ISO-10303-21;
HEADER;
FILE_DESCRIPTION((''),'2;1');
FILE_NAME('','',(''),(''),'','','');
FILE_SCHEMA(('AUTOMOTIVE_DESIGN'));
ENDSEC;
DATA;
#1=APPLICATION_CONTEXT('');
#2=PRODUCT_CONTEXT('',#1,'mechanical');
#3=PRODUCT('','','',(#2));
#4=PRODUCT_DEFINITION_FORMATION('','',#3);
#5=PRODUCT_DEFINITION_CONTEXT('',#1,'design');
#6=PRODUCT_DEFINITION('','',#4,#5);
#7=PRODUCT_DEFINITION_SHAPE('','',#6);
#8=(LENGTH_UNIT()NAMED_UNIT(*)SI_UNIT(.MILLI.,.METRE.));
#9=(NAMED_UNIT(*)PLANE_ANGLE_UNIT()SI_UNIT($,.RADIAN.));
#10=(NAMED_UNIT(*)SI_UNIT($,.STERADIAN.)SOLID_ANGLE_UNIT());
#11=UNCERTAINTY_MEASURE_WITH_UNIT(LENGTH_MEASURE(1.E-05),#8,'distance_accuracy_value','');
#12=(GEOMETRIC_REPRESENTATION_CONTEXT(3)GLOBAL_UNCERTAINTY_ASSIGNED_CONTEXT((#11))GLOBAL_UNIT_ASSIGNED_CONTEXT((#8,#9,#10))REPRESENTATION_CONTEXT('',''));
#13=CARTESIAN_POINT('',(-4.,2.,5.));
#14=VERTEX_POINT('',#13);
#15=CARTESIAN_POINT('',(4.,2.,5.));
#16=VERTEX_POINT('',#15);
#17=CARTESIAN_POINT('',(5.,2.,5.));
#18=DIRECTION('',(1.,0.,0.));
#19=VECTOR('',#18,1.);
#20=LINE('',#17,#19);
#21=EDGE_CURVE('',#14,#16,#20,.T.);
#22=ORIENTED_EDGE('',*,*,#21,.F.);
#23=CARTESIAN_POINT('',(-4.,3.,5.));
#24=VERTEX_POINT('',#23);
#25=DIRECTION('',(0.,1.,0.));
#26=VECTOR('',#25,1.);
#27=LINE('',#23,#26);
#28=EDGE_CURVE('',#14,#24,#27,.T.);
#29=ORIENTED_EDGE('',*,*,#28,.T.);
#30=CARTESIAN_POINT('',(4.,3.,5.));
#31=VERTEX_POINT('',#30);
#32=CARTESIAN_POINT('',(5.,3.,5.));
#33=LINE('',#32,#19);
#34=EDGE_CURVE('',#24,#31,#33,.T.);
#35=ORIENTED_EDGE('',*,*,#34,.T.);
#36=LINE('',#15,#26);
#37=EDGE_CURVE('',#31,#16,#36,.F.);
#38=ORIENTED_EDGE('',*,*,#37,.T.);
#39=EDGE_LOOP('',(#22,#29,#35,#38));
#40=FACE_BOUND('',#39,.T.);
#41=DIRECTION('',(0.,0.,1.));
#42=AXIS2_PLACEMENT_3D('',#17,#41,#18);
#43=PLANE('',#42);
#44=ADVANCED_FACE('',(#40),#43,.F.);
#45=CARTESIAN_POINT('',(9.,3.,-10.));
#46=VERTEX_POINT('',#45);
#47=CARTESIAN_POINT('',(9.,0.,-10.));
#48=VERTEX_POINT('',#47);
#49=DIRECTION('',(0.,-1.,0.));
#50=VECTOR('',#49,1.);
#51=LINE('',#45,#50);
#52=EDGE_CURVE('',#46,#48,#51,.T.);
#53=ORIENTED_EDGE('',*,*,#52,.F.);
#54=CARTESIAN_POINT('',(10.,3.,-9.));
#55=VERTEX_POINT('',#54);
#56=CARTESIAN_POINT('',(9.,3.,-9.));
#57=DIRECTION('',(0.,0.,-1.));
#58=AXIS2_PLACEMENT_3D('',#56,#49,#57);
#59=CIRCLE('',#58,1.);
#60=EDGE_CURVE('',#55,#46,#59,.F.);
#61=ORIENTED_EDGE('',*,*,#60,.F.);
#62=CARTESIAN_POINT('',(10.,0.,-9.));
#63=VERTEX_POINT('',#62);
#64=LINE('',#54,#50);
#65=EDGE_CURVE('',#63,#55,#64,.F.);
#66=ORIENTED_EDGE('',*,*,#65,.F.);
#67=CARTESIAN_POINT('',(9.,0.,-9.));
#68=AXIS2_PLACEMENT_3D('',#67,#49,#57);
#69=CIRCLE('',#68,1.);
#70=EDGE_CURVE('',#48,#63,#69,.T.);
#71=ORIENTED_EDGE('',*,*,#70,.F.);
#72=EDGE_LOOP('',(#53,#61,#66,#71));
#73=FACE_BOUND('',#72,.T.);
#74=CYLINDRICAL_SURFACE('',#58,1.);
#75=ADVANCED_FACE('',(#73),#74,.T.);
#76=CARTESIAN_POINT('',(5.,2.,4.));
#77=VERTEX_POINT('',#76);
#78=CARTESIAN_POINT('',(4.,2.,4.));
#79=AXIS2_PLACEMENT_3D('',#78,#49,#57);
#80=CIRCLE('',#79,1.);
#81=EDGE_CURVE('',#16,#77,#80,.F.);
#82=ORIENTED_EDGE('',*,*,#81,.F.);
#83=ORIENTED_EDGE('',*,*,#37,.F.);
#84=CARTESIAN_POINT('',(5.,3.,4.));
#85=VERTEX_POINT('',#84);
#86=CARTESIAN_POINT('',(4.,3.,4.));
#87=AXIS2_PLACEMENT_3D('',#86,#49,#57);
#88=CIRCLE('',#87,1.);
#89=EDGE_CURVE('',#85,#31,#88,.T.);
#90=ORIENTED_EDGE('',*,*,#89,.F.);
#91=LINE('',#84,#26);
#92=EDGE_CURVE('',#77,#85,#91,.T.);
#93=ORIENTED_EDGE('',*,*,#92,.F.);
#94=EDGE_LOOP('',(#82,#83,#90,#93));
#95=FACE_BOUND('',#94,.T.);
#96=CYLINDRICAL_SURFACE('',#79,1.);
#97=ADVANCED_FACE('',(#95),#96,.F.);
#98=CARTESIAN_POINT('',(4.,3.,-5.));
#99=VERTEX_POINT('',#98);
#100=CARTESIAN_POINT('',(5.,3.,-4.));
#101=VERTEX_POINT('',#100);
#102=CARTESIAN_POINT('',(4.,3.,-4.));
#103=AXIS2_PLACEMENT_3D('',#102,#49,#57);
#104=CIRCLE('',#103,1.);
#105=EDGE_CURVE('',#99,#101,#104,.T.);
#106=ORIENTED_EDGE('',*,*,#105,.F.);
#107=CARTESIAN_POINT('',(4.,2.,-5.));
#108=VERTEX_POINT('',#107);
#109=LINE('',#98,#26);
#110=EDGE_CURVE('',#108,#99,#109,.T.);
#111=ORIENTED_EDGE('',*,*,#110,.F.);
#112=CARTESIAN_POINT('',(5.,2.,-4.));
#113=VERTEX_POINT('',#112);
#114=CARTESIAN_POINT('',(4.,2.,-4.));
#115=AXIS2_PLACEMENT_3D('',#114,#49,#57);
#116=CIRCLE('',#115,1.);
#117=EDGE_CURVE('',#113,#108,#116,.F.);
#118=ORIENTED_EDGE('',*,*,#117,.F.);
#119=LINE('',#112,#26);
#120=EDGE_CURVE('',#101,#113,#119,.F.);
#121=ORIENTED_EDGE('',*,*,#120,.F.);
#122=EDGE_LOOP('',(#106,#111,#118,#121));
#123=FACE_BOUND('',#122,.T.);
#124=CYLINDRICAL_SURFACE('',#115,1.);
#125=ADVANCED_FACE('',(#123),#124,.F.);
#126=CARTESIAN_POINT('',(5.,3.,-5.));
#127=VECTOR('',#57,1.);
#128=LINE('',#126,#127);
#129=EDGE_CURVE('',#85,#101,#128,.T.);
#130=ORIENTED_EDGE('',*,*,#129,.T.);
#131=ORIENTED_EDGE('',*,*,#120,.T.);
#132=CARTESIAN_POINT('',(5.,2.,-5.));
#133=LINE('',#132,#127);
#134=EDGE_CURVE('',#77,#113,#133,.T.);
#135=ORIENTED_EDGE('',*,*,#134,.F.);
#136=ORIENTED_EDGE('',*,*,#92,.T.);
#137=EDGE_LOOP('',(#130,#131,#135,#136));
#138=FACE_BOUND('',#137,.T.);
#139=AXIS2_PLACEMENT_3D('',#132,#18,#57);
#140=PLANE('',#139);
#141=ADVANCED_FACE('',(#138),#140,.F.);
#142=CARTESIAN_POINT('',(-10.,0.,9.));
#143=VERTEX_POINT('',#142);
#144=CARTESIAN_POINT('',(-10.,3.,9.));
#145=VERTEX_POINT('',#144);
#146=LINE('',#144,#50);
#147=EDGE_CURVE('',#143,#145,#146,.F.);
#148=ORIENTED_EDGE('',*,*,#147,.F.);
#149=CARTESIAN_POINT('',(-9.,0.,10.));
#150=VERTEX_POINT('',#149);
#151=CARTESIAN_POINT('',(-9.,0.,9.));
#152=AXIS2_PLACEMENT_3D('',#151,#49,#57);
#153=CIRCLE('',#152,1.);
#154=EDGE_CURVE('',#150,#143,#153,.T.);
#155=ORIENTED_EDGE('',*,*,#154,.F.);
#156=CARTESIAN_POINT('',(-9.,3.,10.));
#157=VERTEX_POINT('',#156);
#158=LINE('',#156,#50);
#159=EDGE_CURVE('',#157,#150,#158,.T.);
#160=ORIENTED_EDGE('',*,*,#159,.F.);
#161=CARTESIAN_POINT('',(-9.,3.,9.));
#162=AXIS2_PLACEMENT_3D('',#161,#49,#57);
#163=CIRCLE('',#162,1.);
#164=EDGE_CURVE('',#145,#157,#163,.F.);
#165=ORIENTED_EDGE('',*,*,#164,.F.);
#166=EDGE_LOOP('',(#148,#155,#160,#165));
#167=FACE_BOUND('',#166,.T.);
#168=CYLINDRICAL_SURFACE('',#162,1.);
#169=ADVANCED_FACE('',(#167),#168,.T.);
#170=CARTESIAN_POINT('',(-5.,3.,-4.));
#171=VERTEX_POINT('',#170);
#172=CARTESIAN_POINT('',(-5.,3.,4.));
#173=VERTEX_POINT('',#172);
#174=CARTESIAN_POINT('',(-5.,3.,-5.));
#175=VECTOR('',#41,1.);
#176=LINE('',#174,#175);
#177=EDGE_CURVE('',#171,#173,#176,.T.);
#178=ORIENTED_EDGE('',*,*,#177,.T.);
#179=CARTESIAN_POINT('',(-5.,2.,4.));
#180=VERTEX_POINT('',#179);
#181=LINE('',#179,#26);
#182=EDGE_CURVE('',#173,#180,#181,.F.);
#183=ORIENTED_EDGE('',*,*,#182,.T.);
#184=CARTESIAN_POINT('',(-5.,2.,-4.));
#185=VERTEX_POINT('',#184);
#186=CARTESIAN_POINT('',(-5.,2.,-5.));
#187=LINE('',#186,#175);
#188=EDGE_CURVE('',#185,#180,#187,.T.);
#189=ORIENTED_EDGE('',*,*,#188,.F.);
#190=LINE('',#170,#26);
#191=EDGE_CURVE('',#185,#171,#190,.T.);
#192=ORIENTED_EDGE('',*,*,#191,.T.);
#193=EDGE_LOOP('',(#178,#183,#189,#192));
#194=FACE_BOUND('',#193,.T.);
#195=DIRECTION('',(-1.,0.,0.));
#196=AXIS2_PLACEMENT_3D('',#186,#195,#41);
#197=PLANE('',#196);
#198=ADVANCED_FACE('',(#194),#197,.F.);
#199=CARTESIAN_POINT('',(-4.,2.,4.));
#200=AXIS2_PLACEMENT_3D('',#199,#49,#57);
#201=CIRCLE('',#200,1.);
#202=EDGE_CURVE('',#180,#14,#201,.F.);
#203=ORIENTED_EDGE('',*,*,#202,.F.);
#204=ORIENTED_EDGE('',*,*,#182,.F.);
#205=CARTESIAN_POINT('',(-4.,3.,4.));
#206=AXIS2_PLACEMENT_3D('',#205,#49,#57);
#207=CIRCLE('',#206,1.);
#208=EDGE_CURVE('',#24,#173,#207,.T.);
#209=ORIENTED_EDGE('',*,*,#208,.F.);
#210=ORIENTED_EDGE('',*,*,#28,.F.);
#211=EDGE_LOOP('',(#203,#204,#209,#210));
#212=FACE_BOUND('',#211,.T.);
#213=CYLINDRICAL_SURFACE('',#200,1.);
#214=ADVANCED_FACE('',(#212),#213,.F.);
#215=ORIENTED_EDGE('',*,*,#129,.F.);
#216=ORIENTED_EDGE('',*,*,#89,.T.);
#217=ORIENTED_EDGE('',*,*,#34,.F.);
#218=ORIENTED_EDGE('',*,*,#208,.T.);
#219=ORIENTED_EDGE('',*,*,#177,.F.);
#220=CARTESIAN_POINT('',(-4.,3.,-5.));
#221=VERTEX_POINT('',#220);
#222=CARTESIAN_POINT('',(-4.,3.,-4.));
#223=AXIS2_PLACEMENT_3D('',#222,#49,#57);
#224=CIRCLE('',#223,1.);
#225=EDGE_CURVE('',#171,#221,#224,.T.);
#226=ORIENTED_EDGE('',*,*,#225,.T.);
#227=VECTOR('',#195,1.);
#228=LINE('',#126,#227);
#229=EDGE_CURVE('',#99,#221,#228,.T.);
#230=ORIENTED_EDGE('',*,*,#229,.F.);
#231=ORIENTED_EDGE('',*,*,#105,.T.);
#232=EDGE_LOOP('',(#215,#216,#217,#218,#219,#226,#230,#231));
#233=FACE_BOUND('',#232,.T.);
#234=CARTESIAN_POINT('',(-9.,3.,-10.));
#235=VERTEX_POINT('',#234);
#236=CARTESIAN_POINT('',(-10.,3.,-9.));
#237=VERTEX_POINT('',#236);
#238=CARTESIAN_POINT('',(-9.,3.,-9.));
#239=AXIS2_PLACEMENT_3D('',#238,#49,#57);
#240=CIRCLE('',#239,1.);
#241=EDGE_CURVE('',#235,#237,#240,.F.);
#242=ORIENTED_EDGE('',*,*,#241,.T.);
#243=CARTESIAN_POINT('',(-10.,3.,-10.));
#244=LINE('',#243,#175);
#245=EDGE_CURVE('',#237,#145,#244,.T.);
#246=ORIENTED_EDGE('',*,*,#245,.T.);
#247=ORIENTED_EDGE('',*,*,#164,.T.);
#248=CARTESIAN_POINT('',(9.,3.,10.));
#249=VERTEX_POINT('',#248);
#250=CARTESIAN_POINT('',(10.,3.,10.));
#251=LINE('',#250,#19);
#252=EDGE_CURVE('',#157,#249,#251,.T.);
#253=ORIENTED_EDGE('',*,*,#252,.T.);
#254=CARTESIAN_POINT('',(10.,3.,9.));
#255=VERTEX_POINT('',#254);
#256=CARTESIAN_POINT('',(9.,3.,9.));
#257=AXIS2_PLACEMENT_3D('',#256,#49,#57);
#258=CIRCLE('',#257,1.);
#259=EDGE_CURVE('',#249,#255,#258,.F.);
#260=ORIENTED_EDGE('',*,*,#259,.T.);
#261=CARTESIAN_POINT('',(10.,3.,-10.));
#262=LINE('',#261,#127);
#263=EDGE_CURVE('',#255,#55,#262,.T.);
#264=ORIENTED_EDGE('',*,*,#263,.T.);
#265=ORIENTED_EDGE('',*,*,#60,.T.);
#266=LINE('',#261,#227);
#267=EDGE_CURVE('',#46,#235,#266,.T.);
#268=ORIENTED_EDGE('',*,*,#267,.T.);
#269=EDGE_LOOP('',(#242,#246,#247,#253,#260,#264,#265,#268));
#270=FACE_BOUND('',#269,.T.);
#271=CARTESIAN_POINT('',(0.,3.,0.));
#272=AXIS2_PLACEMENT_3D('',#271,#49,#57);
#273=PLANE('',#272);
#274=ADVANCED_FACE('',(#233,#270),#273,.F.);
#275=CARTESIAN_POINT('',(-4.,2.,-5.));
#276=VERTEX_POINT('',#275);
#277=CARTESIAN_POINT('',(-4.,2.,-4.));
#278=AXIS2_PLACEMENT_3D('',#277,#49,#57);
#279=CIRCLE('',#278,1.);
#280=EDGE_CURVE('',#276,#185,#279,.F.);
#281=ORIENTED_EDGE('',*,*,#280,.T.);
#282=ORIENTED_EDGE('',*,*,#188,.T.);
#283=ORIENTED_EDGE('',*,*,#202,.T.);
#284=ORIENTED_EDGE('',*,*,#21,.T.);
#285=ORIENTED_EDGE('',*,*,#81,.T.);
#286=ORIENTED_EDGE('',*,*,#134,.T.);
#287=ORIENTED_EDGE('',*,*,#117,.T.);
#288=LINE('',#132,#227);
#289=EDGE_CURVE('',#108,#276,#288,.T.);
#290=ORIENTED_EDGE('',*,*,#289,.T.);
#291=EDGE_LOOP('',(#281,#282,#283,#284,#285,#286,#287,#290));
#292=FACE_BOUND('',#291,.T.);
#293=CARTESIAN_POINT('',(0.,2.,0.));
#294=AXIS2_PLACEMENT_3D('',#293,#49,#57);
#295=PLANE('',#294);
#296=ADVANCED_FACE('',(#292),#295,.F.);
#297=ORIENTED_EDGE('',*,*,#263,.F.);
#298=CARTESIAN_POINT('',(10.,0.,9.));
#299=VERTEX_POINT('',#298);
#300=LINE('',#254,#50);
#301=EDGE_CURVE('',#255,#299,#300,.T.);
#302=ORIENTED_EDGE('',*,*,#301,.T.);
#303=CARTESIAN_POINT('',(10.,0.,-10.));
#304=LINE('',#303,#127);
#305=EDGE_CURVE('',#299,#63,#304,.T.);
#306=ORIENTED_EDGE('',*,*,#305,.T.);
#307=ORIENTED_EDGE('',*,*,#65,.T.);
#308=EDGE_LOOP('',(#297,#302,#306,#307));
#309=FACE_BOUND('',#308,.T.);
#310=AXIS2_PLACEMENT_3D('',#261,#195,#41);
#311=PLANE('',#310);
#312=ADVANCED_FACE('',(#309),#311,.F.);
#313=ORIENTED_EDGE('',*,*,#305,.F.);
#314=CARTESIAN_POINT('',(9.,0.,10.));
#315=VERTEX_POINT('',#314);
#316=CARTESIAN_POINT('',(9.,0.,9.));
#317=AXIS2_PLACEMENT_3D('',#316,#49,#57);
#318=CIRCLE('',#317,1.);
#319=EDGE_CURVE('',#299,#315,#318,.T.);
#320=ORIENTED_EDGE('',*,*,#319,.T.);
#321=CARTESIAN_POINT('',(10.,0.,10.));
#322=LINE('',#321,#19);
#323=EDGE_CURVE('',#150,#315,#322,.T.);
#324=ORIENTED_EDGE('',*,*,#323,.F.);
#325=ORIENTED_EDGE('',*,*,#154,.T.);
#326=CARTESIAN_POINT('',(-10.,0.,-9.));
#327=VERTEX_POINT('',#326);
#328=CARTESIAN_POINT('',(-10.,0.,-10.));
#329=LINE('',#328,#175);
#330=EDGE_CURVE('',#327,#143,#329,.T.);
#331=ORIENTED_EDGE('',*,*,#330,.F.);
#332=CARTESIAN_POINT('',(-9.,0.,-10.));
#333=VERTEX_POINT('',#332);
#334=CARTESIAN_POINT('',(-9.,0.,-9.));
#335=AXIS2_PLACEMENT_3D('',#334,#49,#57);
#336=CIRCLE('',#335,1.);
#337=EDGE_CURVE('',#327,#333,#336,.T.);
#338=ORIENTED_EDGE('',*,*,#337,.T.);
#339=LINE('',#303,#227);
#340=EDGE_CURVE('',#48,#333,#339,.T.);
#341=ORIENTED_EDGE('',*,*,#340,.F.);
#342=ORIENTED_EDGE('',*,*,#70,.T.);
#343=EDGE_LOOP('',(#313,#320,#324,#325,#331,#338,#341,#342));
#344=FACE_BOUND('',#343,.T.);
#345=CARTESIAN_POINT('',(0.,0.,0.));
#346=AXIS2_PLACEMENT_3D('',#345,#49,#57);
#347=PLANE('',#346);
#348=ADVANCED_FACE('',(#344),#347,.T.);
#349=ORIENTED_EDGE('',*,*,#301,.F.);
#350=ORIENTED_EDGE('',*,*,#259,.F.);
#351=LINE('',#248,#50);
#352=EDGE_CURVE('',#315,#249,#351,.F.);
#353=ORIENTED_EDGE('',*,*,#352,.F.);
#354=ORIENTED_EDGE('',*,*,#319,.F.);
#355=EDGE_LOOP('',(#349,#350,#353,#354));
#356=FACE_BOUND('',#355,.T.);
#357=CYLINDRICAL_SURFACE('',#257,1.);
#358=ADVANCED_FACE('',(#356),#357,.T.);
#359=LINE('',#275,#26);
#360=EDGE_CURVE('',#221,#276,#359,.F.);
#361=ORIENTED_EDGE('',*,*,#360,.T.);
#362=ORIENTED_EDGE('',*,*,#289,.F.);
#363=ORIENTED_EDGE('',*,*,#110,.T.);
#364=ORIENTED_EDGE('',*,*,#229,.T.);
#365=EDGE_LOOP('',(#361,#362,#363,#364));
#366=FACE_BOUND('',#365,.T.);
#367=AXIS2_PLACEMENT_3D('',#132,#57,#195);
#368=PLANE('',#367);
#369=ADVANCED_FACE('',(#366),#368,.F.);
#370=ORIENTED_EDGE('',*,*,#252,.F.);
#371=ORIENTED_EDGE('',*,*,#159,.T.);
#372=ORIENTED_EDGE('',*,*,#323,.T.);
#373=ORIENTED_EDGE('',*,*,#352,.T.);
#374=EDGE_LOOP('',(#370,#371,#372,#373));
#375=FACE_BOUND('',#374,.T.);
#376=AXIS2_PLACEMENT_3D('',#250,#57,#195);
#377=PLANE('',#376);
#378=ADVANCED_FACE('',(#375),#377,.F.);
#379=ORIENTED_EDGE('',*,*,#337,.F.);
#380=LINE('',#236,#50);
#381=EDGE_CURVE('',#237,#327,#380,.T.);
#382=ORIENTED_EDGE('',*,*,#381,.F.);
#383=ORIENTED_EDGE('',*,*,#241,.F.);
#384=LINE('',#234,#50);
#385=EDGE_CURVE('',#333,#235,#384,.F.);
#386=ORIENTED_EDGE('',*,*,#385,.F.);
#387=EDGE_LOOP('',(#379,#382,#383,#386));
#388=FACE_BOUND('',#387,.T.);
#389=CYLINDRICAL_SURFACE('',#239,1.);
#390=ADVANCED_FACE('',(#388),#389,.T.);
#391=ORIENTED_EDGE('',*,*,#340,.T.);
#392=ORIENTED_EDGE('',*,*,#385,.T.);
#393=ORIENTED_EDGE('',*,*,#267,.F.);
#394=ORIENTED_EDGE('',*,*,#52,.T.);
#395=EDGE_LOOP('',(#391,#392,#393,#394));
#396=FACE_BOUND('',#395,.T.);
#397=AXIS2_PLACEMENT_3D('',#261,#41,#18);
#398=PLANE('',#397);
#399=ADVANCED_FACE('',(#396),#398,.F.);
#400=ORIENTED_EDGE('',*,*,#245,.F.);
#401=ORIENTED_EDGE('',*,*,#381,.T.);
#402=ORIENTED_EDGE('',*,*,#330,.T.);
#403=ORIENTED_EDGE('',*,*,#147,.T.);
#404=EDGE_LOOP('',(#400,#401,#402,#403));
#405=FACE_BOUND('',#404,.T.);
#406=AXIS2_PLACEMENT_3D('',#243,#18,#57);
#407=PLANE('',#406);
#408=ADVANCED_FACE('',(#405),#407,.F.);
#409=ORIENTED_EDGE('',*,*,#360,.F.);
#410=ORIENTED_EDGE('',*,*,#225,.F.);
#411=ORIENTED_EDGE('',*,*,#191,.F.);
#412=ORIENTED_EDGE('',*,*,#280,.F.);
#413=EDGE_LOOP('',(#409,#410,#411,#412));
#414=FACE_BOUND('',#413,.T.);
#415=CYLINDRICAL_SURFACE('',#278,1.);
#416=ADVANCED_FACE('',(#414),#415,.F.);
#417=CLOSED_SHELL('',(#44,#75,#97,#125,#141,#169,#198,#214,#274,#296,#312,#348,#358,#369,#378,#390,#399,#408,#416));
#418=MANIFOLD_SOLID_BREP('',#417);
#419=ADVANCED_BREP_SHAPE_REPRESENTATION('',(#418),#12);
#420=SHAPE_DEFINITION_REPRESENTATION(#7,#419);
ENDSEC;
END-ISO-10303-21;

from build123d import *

# Parameters (mm, degrees)
SKETCH1_W           = 20
SKETCH1_H           = 20
BOSS_EXTRUDE1_DEPTH = 3
SKETCH2_W           = 10
SKETCH2_H           = 10
CUT_EXTRUDE1_DEPTH  = 1
FILLET1_R           = 1


with BuildPart() as part:
    # Sketch1 → Boss-Extrude1 (new body)
    with BuildSketch(Plane(origin=(0, 0, 0), x_dir=(1, 0, 0), z_dir=(0, 1, 0))):
        Rectangle(SKETCH1_W, SKETCH1_H)
    extrude(amount=BOSS_EXTRUDE1_DEPTH)

    # Sketch2 → Cut-Extrude1 (cut)
    with BuildSketch(Plane(origin=(0, 3, 0), x_dir=(1, 0, 0), z_dir=(0, 1, 0))):
        Rectangle(SKETCH2_W, SKETCH2_H)
    extrude(amount=-CUT_EXTRUDE1_DEPTH, mode=Mode.SUBTRACT)

    # Fillet1
    fillet1_edges = [part.edges().sort_by_distance(p)[0] for p in [
        (-5, 2.5, 5),
        (-5, 2.5, -5),
        (5, 2.5, -5),
        (5, 2.5, 5),
        (-10, 1.5, -10),
        (10, 1.5, -10),
        (10, 1.5, 10),
        (-10, 1.5, 10),
    ]]
    fillet(fillet1_edges, radius=FILLET1_R)


solid = part.part
